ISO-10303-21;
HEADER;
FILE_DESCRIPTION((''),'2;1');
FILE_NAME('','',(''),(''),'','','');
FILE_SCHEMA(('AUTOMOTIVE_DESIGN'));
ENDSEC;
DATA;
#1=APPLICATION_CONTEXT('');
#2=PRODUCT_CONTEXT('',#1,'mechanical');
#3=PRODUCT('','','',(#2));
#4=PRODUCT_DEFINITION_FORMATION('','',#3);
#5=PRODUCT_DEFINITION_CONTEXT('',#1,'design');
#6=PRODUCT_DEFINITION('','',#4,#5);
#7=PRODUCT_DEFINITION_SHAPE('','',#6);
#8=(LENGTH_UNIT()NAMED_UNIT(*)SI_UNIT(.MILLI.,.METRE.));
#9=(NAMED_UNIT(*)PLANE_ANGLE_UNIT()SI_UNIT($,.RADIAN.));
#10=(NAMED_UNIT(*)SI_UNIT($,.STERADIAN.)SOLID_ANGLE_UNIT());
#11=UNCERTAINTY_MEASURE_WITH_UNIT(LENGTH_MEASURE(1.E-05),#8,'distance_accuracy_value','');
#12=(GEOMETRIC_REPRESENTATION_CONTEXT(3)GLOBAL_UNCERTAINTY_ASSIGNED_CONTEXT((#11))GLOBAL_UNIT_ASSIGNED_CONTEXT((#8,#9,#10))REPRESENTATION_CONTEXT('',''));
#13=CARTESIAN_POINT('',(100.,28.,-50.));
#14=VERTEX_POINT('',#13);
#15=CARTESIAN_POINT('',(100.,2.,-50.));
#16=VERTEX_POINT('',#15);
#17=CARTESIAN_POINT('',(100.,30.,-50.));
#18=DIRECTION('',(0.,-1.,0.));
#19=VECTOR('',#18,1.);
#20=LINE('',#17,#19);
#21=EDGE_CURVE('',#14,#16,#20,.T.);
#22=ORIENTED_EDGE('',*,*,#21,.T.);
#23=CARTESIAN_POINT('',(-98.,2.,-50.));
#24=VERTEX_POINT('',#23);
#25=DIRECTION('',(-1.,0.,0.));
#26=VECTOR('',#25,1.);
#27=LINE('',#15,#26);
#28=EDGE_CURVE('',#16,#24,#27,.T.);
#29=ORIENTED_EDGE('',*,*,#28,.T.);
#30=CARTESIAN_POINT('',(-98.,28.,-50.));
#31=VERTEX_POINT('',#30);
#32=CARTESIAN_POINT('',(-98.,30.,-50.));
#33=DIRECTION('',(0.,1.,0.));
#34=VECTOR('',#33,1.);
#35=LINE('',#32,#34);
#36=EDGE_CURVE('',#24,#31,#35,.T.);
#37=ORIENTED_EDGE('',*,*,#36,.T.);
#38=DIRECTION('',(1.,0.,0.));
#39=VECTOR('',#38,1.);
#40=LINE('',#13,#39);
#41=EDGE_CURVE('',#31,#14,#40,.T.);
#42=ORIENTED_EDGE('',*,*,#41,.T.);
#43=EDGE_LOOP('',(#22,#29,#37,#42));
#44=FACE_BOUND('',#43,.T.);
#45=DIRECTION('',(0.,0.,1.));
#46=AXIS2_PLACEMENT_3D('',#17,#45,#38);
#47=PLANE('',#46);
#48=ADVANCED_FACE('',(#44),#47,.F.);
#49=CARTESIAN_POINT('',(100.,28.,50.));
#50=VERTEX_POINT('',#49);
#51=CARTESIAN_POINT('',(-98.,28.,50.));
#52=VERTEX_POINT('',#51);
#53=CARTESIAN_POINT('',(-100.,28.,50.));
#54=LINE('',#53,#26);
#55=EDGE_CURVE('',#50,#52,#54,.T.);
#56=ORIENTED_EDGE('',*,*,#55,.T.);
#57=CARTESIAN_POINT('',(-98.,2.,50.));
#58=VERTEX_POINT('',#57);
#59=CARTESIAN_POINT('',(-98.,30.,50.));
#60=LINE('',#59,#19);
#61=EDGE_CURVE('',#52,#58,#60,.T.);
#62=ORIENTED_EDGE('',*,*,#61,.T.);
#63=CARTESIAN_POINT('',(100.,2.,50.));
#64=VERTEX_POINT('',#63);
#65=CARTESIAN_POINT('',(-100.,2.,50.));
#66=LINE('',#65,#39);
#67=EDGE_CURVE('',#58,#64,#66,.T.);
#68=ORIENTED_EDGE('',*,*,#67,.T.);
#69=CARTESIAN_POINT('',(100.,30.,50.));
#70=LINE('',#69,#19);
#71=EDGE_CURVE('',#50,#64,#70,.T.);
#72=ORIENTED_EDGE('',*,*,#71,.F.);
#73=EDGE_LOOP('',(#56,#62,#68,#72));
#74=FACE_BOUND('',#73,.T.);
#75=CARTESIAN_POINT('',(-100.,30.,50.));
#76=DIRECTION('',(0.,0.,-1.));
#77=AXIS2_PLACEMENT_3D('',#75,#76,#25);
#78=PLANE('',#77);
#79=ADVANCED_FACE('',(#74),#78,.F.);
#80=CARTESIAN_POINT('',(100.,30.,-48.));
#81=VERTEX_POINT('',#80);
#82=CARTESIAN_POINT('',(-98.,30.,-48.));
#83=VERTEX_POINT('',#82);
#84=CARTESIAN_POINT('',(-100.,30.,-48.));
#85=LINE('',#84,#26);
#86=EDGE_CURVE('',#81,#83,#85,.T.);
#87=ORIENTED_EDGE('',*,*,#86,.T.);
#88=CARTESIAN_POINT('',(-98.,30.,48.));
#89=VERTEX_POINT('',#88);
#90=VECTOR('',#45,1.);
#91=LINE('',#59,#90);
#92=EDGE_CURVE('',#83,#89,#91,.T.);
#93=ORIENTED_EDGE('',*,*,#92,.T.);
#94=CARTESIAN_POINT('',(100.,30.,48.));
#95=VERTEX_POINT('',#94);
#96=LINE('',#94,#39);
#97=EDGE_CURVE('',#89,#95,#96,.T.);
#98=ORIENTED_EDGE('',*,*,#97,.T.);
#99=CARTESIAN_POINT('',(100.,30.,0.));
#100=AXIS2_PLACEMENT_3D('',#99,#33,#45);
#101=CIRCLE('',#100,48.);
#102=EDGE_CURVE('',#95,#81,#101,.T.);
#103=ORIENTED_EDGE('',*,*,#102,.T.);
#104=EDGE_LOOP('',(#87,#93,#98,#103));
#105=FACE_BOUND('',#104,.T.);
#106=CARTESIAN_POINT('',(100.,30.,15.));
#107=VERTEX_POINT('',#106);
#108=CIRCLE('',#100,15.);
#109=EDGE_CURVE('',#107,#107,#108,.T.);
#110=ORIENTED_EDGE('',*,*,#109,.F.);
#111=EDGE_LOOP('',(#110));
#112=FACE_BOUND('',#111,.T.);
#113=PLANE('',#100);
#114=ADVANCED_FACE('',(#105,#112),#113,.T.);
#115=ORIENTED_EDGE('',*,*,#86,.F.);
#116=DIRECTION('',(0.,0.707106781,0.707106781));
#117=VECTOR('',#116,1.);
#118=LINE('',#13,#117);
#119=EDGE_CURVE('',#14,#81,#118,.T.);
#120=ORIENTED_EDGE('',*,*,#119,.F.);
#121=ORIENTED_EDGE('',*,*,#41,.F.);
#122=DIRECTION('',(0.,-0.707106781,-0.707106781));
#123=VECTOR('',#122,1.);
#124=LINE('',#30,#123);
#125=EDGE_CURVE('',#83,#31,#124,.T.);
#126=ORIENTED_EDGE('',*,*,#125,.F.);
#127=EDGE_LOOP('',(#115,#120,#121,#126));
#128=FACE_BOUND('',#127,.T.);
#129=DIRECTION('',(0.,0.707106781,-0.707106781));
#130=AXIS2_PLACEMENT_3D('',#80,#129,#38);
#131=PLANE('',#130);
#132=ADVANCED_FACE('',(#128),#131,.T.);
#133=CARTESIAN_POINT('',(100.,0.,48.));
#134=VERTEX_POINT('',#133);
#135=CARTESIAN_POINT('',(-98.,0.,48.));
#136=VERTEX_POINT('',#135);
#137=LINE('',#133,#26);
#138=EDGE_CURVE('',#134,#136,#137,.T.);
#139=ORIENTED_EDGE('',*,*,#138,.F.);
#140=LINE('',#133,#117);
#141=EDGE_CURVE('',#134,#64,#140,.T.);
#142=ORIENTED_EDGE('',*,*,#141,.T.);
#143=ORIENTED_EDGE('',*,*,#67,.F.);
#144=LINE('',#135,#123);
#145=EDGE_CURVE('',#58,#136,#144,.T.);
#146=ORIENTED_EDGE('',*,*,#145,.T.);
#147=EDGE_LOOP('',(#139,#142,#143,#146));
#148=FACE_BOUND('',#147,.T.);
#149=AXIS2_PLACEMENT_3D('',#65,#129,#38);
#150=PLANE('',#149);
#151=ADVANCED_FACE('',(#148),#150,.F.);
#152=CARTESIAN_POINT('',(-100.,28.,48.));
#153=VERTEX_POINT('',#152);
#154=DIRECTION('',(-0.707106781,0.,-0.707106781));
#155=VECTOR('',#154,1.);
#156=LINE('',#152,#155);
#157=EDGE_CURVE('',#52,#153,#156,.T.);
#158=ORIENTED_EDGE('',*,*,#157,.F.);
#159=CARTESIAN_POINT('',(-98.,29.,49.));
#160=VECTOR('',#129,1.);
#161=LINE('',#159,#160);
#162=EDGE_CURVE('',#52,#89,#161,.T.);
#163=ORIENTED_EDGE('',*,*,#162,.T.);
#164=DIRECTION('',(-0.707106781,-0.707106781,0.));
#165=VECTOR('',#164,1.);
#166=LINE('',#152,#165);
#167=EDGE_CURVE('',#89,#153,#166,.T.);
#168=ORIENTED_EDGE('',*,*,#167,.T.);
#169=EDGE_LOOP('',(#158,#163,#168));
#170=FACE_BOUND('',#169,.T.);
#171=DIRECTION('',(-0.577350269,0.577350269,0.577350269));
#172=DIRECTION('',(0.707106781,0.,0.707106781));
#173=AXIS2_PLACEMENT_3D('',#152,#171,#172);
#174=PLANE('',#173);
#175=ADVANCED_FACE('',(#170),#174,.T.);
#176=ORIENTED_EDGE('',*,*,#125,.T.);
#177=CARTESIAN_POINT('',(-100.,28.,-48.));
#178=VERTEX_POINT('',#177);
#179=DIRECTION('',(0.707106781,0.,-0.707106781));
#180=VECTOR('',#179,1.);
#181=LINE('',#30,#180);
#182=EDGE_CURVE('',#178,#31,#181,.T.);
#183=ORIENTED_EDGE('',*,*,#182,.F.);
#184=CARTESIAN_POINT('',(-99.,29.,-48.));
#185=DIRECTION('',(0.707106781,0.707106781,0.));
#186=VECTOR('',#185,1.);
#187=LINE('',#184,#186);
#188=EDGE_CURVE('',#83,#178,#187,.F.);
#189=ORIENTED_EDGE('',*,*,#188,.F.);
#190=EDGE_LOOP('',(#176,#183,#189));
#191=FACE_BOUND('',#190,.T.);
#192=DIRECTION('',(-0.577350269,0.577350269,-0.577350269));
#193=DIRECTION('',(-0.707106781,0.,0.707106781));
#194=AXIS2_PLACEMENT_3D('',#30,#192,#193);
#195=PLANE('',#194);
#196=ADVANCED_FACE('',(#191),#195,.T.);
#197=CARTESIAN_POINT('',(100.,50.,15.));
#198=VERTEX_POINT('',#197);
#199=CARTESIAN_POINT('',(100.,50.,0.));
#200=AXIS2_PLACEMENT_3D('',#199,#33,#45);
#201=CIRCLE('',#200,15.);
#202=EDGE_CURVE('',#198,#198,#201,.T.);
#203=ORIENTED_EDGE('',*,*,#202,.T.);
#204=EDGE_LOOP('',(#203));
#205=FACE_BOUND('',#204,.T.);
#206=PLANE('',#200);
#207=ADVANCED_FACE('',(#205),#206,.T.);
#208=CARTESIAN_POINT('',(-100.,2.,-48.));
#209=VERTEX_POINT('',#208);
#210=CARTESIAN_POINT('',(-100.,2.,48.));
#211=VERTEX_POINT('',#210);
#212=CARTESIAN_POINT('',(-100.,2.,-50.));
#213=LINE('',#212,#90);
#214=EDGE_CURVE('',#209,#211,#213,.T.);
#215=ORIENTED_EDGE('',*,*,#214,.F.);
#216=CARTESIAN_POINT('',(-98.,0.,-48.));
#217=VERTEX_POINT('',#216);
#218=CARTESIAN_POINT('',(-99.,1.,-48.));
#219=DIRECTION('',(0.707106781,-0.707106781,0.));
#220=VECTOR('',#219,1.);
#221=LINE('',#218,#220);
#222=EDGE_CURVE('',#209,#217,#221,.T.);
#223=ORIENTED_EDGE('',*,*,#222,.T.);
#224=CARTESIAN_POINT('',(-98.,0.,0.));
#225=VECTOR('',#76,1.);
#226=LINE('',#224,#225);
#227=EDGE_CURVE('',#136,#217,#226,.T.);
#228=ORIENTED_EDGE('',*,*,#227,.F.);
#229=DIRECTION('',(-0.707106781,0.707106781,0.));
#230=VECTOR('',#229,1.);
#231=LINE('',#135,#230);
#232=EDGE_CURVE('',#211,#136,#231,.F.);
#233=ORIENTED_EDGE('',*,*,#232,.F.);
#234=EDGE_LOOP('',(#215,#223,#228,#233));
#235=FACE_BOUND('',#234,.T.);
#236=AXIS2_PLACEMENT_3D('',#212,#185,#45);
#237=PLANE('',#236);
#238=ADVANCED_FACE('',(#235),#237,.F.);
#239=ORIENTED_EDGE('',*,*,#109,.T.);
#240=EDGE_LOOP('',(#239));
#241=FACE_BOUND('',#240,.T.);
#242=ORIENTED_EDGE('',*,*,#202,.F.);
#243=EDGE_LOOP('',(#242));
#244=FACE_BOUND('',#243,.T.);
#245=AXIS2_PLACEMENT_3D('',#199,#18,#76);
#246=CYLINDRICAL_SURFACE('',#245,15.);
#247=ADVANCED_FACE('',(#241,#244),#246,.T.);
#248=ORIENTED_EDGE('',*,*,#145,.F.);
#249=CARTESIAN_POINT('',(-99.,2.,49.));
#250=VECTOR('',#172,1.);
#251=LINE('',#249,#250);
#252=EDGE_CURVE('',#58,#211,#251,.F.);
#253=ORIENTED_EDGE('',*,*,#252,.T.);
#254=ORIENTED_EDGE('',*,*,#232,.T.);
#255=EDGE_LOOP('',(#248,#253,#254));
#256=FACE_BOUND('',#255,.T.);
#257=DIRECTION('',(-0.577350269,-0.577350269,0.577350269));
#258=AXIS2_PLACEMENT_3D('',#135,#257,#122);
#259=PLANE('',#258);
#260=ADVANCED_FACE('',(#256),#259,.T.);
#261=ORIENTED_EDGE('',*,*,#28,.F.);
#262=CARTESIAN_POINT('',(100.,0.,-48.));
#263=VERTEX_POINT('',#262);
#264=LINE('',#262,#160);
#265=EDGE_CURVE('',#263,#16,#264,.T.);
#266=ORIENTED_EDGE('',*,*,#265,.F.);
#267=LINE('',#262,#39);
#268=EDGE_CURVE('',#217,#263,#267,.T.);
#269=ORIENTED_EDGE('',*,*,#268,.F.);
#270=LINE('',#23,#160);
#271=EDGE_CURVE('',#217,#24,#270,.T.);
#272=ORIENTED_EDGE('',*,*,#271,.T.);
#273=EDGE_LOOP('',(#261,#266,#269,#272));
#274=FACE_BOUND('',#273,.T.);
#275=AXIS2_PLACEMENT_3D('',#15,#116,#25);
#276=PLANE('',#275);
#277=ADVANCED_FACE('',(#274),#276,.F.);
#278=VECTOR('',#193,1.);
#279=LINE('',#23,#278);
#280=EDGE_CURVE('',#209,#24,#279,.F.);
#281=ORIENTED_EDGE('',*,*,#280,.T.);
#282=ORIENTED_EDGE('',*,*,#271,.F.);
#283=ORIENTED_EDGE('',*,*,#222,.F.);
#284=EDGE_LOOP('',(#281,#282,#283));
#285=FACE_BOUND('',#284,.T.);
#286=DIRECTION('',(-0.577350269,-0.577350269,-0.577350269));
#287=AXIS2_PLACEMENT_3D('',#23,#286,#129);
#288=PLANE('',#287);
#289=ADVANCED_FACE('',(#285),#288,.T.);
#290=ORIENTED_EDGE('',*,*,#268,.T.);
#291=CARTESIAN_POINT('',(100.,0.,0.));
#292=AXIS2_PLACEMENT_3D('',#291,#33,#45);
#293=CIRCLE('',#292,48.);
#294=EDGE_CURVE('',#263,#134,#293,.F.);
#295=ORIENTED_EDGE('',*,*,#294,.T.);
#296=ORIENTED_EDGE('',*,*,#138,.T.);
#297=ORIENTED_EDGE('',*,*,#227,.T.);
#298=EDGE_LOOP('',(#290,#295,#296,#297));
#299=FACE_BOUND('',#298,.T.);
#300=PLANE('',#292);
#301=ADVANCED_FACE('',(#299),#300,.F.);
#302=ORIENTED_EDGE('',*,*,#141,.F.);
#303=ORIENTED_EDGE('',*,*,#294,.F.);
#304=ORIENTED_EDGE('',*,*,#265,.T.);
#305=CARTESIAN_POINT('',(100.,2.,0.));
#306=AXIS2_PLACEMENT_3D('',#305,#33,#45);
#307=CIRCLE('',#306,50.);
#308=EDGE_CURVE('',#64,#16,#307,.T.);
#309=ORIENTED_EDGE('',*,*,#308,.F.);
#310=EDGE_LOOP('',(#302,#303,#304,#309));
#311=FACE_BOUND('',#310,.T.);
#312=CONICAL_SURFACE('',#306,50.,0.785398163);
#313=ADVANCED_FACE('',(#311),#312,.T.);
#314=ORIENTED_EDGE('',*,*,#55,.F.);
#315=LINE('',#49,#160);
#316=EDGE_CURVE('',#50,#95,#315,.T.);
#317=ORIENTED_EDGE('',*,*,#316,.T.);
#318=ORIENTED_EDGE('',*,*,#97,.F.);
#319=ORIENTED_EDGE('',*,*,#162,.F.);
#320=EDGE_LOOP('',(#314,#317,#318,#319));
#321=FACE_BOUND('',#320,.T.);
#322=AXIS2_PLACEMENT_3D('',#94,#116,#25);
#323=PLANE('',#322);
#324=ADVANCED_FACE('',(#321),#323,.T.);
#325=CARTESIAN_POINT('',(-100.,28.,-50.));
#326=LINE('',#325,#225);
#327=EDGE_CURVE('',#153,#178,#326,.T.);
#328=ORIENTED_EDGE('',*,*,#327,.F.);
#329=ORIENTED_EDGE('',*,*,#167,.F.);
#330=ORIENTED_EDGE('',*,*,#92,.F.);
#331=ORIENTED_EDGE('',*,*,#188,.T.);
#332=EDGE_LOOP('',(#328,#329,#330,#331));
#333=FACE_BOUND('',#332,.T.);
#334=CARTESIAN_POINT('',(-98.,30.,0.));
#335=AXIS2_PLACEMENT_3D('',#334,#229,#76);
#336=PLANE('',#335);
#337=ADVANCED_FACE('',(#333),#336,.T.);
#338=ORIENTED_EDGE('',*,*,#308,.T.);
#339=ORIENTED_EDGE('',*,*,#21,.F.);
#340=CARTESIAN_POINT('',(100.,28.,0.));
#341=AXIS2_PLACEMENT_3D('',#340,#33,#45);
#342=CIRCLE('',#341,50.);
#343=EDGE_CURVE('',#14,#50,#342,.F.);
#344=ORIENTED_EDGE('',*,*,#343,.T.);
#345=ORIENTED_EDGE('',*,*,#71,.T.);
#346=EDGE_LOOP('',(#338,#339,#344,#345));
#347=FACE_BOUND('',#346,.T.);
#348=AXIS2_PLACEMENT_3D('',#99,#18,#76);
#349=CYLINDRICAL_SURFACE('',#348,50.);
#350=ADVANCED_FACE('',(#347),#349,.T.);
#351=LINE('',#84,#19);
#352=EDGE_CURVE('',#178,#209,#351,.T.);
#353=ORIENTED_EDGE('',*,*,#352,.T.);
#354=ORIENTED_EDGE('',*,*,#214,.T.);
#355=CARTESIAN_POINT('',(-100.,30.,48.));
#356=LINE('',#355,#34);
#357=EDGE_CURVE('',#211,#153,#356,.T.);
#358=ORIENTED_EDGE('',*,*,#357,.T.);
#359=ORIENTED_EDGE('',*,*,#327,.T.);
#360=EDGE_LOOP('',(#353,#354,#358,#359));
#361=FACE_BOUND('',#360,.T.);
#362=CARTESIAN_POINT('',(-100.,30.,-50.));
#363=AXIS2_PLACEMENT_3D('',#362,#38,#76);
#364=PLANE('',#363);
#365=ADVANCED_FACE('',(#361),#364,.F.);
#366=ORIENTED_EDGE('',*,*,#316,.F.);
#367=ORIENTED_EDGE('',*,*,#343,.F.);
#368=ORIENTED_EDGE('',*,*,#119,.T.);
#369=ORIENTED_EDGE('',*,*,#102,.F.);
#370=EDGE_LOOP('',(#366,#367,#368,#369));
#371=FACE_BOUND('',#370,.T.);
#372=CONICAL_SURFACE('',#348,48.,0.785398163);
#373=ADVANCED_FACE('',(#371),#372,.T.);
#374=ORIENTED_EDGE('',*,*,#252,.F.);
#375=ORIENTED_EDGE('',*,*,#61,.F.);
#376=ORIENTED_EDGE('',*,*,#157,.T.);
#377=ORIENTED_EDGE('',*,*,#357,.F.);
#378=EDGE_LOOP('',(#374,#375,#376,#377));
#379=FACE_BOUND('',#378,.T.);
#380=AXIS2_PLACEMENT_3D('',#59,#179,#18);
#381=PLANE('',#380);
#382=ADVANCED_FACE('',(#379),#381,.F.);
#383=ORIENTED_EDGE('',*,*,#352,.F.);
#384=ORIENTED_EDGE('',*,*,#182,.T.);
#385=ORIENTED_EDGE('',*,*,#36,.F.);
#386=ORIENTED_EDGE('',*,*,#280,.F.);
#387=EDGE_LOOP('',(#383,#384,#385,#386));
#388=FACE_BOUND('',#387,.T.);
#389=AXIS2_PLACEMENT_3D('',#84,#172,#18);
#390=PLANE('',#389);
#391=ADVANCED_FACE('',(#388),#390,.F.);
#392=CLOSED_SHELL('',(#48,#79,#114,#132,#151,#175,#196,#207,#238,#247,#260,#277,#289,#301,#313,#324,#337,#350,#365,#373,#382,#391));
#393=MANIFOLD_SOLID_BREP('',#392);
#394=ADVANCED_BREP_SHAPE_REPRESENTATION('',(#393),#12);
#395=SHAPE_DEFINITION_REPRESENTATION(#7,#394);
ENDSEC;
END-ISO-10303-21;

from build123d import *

# Parameters (mm, degrees)
BOSS_EXTRUDE1_DEPTH = 30
SKETCH2_R           = 15
BOSS_EXTRUDE2_DEPTH = 20
CHAMFER1_SIZE       = 2


with BuildPart() as part:
    # Sketch1 → Boss-Extrude1 (new body)
    with BuildSketch(Plane(origin=(0, 0, 0), x_dir=(1, 0, 0), z_dir=(0, 1, 0))):
        with BuildLine():
            Line((100, 50), (-100, 50))
            Line((-100, 50), (-100, -50))
            Line((-100, -50), (100, -50))
            ThreePointArc((100, -50), (150, 0), (100, 50))
        make_face()
    extrude(amount=BOSS_EXTRUDE1_DEPTH)

    # Sketch2 → Boss-Extrude2 (add)
    with BuildSketch(Plane(origin=(0, 30, 0), x_dir=(1, 0, 0), z_dir=(0, 1, 0))):
        with Locations((100, 0)):
            Circle(SKETCH2_R)
    extrude(amount=BOSS_EXTRUDE2_DEPTH)

    # Chamfer1
    chamfer1_edges = [part.edges().sort_by_distance(p)[0] for p in [
        (-100, 30, 0),
        (0, 30, 50),
        (150, 30, 0),
        (0, 0, 50),
        (-100, 0, 0),
        (0, 0, -50),
        (150, 0, 0),
        (-100, 15, 50),
        (-100, 15, -50),
        (0, 30, -50),
    ]]
    chamfer(chamfer1_edges, length=CHAMFER1_SIZE)


solid = part.part
